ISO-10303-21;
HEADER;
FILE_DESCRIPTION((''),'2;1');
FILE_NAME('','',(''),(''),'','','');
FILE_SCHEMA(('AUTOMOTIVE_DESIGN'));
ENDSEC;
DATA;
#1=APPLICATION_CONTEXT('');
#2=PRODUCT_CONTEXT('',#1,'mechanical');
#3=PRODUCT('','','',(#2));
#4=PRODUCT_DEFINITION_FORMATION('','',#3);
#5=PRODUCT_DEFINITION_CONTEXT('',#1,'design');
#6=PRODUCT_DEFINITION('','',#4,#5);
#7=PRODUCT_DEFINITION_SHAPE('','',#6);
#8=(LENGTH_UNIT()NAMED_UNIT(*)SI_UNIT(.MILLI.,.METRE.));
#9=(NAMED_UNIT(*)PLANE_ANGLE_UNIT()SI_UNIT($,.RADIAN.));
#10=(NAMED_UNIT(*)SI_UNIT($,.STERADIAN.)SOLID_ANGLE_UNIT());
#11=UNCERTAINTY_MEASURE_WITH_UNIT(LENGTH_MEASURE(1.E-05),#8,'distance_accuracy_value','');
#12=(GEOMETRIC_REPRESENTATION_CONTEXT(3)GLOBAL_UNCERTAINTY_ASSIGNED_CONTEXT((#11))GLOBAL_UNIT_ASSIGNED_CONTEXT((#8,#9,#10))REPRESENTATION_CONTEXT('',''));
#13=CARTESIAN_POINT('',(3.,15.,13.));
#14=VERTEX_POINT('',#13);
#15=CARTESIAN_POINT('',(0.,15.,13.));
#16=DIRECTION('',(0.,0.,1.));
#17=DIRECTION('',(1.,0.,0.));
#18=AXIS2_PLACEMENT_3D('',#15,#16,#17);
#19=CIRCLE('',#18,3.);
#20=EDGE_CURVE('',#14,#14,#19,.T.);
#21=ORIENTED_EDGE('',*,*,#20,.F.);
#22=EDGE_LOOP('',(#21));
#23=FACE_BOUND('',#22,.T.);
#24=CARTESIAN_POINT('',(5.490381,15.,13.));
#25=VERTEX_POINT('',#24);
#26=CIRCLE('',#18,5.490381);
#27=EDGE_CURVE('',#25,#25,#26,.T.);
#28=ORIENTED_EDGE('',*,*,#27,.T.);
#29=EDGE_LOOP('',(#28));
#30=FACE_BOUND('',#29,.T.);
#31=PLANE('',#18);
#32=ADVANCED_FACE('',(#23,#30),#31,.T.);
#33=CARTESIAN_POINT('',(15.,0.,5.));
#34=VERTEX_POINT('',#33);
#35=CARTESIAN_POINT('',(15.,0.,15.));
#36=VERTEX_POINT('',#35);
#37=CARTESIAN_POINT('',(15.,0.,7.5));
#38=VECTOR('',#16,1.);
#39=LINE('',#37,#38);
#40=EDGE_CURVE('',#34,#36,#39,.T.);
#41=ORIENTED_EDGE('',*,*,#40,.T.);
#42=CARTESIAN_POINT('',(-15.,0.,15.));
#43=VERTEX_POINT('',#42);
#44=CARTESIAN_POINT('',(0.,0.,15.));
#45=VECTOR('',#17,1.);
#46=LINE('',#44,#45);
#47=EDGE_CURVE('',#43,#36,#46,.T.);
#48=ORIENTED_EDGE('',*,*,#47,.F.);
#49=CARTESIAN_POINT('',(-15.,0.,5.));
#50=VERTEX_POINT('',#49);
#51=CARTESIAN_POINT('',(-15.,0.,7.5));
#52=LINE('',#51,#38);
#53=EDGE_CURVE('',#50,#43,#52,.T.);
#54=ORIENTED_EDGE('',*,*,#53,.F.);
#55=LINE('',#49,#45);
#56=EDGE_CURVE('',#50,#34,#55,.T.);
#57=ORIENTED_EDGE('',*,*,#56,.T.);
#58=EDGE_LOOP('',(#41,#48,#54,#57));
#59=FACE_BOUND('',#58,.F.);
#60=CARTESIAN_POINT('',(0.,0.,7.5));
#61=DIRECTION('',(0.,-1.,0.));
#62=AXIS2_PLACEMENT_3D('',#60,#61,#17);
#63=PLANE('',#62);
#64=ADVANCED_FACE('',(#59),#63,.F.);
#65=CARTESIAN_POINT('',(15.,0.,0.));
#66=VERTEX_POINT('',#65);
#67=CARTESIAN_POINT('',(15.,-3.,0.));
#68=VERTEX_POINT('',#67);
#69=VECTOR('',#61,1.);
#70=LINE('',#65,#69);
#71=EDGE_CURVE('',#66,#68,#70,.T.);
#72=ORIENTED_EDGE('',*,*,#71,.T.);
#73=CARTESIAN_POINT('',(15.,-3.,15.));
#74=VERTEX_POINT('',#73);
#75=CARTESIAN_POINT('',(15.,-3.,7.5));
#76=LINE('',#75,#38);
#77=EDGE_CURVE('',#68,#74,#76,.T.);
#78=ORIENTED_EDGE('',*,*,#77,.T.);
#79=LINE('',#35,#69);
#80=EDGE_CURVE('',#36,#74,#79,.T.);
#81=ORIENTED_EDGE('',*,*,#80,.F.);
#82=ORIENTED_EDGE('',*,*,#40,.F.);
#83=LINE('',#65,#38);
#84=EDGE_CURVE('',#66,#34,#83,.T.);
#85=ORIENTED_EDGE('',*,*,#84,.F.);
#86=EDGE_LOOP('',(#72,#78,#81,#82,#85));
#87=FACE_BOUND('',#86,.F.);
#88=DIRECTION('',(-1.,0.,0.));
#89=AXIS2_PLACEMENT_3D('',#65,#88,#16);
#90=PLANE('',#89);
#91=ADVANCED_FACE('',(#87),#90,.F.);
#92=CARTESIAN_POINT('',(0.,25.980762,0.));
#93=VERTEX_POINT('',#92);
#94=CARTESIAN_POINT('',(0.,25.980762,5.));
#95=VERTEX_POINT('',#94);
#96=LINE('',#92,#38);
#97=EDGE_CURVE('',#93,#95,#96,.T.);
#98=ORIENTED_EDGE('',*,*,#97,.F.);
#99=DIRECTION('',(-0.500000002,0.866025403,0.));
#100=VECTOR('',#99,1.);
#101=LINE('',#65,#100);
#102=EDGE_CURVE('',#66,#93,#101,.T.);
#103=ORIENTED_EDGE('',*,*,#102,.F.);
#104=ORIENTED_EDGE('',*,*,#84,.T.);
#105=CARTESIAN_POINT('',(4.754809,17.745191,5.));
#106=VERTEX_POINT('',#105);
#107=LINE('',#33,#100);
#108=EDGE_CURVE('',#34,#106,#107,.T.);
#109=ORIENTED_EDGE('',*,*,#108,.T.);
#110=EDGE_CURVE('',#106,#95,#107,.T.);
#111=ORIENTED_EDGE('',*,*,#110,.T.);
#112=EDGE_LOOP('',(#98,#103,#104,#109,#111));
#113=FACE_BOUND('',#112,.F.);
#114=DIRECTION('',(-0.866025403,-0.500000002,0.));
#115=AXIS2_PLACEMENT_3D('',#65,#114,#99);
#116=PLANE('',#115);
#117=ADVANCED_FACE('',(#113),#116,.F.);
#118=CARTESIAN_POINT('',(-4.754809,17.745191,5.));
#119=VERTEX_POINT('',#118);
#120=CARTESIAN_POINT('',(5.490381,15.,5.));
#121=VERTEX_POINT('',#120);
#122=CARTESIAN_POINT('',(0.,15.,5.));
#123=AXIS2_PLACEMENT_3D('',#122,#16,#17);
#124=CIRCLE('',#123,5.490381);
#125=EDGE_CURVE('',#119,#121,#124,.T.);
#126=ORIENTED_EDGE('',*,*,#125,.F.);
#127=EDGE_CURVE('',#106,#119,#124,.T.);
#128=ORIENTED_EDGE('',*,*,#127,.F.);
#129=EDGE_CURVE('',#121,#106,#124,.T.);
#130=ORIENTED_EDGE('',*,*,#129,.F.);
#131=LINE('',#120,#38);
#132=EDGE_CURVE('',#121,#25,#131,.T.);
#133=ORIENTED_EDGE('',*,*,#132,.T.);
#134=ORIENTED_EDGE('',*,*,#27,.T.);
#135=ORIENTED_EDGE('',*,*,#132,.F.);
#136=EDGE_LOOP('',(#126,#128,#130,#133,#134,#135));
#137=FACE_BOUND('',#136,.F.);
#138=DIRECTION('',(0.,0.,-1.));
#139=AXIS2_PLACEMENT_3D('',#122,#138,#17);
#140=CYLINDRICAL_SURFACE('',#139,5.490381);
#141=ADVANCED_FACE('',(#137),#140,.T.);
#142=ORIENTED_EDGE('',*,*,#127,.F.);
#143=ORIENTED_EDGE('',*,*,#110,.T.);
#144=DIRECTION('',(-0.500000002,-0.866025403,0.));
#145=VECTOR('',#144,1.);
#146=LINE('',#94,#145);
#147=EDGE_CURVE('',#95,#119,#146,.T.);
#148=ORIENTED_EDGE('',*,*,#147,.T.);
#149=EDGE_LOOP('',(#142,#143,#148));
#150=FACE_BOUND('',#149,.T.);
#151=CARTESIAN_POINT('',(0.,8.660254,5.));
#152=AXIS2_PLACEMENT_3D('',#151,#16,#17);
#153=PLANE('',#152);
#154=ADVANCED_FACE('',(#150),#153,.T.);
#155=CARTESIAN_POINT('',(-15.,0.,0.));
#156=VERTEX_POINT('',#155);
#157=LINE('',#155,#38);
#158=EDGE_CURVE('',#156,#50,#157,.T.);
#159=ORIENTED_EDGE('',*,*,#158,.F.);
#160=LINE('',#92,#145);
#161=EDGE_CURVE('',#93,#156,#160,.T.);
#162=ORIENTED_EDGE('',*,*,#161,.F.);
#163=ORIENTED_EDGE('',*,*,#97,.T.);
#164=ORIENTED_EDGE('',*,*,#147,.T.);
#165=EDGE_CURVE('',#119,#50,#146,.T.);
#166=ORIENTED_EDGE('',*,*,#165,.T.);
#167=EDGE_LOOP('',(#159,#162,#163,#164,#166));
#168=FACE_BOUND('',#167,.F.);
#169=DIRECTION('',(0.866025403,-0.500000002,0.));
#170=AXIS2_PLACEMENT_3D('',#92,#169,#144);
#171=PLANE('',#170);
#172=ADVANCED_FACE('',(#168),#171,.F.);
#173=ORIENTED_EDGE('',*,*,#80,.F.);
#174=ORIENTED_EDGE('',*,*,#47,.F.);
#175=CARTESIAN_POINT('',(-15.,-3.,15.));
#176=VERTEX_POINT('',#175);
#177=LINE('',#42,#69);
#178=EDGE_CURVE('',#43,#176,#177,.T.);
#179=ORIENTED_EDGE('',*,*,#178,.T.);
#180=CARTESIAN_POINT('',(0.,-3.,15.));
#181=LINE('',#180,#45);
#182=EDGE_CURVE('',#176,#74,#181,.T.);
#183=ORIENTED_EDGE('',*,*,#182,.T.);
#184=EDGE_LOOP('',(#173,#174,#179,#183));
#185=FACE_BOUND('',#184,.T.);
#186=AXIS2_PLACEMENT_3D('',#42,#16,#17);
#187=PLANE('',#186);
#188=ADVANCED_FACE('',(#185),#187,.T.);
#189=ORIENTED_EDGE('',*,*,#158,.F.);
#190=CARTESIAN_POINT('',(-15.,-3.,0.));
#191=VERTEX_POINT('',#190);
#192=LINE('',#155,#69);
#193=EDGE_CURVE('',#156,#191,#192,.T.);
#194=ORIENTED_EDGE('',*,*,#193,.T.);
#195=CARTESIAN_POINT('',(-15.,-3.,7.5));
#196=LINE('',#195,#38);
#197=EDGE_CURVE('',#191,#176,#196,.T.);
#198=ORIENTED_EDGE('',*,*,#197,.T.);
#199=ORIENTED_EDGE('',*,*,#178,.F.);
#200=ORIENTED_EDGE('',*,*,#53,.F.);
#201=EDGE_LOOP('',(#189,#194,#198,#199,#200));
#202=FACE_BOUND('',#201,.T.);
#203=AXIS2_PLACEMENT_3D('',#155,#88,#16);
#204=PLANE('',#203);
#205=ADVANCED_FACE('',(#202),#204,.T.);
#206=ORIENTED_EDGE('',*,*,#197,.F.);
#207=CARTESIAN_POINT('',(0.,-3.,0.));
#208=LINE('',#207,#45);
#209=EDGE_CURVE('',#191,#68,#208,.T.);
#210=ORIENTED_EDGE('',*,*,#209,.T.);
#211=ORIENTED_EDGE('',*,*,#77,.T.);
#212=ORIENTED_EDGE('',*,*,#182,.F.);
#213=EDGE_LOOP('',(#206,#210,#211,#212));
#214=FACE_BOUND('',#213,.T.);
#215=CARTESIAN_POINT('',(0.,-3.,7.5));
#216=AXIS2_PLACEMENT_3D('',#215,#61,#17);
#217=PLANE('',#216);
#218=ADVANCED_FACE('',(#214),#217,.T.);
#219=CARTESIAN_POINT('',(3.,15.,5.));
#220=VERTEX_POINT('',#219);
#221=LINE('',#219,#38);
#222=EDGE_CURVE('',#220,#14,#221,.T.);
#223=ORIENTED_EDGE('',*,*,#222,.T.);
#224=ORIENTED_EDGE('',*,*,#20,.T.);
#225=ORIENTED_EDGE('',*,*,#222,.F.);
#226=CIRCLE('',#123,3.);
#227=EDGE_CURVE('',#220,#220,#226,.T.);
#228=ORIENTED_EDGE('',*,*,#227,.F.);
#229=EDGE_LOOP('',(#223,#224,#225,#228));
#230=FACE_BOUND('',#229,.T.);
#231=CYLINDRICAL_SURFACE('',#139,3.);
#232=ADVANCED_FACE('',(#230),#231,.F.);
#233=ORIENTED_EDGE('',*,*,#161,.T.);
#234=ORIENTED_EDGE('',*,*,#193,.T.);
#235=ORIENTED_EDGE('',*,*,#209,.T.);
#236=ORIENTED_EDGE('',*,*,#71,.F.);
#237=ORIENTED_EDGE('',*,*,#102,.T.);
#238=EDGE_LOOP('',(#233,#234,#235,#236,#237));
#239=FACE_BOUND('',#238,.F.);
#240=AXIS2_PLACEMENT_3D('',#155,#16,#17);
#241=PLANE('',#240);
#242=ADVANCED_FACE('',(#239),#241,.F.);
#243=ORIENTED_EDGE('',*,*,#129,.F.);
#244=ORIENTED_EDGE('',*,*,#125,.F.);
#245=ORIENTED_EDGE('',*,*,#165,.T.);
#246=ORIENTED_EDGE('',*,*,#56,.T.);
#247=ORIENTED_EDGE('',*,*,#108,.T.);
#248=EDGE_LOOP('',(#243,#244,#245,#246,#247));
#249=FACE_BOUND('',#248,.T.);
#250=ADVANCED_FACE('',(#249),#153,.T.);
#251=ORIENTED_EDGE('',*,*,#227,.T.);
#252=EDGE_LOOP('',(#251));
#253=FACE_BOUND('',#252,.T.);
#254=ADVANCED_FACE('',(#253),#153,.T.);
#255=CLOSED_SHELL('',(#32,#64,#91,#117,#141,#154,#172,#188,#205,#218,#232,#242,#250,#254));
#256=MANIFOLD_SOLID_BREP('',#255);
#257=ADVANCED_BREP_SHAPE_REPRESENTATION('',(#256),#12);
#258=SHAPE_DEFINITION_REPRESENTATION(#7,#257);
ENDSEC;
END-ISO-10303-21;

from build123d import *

# Parameters (mm, degrees)
F1_DEPTH = 5
F2_W     = 30
F2_H     = 15
F3_DEPTH = 3
F4_R     = 5.490381
F4_R_2   = 3
F5_DEPTH = 8


with BuildPart() as f1:
    # F0 (on Top) → F1 (new body)
    with BuildSketch(Plane.XY):
        Polygon((0, 25.980762), (-15, 0), (15, 0), align=None)
    extrude(amount=F1_DEPTH)

    # F2 (on face) → F3 (join)
    with BuildSketch(Plane.XZ):
        with Locations((0, 7.5)):
            Rectangle(F2_W, F2_H)
    extrude(amount=F3_DEPTH)

    # F4 (on face) → F5 (join)
    with BuildSketch(Plane.XY.offset(5)):
        with Locations((0, 15)):
            Circle(F4_R)
        with Locations((0, 15)):
            Circle(F4_R_2, mode=Mode.SUBTRACT)
    extrude(amount=F5_DEPTH)


solid = f1.part
